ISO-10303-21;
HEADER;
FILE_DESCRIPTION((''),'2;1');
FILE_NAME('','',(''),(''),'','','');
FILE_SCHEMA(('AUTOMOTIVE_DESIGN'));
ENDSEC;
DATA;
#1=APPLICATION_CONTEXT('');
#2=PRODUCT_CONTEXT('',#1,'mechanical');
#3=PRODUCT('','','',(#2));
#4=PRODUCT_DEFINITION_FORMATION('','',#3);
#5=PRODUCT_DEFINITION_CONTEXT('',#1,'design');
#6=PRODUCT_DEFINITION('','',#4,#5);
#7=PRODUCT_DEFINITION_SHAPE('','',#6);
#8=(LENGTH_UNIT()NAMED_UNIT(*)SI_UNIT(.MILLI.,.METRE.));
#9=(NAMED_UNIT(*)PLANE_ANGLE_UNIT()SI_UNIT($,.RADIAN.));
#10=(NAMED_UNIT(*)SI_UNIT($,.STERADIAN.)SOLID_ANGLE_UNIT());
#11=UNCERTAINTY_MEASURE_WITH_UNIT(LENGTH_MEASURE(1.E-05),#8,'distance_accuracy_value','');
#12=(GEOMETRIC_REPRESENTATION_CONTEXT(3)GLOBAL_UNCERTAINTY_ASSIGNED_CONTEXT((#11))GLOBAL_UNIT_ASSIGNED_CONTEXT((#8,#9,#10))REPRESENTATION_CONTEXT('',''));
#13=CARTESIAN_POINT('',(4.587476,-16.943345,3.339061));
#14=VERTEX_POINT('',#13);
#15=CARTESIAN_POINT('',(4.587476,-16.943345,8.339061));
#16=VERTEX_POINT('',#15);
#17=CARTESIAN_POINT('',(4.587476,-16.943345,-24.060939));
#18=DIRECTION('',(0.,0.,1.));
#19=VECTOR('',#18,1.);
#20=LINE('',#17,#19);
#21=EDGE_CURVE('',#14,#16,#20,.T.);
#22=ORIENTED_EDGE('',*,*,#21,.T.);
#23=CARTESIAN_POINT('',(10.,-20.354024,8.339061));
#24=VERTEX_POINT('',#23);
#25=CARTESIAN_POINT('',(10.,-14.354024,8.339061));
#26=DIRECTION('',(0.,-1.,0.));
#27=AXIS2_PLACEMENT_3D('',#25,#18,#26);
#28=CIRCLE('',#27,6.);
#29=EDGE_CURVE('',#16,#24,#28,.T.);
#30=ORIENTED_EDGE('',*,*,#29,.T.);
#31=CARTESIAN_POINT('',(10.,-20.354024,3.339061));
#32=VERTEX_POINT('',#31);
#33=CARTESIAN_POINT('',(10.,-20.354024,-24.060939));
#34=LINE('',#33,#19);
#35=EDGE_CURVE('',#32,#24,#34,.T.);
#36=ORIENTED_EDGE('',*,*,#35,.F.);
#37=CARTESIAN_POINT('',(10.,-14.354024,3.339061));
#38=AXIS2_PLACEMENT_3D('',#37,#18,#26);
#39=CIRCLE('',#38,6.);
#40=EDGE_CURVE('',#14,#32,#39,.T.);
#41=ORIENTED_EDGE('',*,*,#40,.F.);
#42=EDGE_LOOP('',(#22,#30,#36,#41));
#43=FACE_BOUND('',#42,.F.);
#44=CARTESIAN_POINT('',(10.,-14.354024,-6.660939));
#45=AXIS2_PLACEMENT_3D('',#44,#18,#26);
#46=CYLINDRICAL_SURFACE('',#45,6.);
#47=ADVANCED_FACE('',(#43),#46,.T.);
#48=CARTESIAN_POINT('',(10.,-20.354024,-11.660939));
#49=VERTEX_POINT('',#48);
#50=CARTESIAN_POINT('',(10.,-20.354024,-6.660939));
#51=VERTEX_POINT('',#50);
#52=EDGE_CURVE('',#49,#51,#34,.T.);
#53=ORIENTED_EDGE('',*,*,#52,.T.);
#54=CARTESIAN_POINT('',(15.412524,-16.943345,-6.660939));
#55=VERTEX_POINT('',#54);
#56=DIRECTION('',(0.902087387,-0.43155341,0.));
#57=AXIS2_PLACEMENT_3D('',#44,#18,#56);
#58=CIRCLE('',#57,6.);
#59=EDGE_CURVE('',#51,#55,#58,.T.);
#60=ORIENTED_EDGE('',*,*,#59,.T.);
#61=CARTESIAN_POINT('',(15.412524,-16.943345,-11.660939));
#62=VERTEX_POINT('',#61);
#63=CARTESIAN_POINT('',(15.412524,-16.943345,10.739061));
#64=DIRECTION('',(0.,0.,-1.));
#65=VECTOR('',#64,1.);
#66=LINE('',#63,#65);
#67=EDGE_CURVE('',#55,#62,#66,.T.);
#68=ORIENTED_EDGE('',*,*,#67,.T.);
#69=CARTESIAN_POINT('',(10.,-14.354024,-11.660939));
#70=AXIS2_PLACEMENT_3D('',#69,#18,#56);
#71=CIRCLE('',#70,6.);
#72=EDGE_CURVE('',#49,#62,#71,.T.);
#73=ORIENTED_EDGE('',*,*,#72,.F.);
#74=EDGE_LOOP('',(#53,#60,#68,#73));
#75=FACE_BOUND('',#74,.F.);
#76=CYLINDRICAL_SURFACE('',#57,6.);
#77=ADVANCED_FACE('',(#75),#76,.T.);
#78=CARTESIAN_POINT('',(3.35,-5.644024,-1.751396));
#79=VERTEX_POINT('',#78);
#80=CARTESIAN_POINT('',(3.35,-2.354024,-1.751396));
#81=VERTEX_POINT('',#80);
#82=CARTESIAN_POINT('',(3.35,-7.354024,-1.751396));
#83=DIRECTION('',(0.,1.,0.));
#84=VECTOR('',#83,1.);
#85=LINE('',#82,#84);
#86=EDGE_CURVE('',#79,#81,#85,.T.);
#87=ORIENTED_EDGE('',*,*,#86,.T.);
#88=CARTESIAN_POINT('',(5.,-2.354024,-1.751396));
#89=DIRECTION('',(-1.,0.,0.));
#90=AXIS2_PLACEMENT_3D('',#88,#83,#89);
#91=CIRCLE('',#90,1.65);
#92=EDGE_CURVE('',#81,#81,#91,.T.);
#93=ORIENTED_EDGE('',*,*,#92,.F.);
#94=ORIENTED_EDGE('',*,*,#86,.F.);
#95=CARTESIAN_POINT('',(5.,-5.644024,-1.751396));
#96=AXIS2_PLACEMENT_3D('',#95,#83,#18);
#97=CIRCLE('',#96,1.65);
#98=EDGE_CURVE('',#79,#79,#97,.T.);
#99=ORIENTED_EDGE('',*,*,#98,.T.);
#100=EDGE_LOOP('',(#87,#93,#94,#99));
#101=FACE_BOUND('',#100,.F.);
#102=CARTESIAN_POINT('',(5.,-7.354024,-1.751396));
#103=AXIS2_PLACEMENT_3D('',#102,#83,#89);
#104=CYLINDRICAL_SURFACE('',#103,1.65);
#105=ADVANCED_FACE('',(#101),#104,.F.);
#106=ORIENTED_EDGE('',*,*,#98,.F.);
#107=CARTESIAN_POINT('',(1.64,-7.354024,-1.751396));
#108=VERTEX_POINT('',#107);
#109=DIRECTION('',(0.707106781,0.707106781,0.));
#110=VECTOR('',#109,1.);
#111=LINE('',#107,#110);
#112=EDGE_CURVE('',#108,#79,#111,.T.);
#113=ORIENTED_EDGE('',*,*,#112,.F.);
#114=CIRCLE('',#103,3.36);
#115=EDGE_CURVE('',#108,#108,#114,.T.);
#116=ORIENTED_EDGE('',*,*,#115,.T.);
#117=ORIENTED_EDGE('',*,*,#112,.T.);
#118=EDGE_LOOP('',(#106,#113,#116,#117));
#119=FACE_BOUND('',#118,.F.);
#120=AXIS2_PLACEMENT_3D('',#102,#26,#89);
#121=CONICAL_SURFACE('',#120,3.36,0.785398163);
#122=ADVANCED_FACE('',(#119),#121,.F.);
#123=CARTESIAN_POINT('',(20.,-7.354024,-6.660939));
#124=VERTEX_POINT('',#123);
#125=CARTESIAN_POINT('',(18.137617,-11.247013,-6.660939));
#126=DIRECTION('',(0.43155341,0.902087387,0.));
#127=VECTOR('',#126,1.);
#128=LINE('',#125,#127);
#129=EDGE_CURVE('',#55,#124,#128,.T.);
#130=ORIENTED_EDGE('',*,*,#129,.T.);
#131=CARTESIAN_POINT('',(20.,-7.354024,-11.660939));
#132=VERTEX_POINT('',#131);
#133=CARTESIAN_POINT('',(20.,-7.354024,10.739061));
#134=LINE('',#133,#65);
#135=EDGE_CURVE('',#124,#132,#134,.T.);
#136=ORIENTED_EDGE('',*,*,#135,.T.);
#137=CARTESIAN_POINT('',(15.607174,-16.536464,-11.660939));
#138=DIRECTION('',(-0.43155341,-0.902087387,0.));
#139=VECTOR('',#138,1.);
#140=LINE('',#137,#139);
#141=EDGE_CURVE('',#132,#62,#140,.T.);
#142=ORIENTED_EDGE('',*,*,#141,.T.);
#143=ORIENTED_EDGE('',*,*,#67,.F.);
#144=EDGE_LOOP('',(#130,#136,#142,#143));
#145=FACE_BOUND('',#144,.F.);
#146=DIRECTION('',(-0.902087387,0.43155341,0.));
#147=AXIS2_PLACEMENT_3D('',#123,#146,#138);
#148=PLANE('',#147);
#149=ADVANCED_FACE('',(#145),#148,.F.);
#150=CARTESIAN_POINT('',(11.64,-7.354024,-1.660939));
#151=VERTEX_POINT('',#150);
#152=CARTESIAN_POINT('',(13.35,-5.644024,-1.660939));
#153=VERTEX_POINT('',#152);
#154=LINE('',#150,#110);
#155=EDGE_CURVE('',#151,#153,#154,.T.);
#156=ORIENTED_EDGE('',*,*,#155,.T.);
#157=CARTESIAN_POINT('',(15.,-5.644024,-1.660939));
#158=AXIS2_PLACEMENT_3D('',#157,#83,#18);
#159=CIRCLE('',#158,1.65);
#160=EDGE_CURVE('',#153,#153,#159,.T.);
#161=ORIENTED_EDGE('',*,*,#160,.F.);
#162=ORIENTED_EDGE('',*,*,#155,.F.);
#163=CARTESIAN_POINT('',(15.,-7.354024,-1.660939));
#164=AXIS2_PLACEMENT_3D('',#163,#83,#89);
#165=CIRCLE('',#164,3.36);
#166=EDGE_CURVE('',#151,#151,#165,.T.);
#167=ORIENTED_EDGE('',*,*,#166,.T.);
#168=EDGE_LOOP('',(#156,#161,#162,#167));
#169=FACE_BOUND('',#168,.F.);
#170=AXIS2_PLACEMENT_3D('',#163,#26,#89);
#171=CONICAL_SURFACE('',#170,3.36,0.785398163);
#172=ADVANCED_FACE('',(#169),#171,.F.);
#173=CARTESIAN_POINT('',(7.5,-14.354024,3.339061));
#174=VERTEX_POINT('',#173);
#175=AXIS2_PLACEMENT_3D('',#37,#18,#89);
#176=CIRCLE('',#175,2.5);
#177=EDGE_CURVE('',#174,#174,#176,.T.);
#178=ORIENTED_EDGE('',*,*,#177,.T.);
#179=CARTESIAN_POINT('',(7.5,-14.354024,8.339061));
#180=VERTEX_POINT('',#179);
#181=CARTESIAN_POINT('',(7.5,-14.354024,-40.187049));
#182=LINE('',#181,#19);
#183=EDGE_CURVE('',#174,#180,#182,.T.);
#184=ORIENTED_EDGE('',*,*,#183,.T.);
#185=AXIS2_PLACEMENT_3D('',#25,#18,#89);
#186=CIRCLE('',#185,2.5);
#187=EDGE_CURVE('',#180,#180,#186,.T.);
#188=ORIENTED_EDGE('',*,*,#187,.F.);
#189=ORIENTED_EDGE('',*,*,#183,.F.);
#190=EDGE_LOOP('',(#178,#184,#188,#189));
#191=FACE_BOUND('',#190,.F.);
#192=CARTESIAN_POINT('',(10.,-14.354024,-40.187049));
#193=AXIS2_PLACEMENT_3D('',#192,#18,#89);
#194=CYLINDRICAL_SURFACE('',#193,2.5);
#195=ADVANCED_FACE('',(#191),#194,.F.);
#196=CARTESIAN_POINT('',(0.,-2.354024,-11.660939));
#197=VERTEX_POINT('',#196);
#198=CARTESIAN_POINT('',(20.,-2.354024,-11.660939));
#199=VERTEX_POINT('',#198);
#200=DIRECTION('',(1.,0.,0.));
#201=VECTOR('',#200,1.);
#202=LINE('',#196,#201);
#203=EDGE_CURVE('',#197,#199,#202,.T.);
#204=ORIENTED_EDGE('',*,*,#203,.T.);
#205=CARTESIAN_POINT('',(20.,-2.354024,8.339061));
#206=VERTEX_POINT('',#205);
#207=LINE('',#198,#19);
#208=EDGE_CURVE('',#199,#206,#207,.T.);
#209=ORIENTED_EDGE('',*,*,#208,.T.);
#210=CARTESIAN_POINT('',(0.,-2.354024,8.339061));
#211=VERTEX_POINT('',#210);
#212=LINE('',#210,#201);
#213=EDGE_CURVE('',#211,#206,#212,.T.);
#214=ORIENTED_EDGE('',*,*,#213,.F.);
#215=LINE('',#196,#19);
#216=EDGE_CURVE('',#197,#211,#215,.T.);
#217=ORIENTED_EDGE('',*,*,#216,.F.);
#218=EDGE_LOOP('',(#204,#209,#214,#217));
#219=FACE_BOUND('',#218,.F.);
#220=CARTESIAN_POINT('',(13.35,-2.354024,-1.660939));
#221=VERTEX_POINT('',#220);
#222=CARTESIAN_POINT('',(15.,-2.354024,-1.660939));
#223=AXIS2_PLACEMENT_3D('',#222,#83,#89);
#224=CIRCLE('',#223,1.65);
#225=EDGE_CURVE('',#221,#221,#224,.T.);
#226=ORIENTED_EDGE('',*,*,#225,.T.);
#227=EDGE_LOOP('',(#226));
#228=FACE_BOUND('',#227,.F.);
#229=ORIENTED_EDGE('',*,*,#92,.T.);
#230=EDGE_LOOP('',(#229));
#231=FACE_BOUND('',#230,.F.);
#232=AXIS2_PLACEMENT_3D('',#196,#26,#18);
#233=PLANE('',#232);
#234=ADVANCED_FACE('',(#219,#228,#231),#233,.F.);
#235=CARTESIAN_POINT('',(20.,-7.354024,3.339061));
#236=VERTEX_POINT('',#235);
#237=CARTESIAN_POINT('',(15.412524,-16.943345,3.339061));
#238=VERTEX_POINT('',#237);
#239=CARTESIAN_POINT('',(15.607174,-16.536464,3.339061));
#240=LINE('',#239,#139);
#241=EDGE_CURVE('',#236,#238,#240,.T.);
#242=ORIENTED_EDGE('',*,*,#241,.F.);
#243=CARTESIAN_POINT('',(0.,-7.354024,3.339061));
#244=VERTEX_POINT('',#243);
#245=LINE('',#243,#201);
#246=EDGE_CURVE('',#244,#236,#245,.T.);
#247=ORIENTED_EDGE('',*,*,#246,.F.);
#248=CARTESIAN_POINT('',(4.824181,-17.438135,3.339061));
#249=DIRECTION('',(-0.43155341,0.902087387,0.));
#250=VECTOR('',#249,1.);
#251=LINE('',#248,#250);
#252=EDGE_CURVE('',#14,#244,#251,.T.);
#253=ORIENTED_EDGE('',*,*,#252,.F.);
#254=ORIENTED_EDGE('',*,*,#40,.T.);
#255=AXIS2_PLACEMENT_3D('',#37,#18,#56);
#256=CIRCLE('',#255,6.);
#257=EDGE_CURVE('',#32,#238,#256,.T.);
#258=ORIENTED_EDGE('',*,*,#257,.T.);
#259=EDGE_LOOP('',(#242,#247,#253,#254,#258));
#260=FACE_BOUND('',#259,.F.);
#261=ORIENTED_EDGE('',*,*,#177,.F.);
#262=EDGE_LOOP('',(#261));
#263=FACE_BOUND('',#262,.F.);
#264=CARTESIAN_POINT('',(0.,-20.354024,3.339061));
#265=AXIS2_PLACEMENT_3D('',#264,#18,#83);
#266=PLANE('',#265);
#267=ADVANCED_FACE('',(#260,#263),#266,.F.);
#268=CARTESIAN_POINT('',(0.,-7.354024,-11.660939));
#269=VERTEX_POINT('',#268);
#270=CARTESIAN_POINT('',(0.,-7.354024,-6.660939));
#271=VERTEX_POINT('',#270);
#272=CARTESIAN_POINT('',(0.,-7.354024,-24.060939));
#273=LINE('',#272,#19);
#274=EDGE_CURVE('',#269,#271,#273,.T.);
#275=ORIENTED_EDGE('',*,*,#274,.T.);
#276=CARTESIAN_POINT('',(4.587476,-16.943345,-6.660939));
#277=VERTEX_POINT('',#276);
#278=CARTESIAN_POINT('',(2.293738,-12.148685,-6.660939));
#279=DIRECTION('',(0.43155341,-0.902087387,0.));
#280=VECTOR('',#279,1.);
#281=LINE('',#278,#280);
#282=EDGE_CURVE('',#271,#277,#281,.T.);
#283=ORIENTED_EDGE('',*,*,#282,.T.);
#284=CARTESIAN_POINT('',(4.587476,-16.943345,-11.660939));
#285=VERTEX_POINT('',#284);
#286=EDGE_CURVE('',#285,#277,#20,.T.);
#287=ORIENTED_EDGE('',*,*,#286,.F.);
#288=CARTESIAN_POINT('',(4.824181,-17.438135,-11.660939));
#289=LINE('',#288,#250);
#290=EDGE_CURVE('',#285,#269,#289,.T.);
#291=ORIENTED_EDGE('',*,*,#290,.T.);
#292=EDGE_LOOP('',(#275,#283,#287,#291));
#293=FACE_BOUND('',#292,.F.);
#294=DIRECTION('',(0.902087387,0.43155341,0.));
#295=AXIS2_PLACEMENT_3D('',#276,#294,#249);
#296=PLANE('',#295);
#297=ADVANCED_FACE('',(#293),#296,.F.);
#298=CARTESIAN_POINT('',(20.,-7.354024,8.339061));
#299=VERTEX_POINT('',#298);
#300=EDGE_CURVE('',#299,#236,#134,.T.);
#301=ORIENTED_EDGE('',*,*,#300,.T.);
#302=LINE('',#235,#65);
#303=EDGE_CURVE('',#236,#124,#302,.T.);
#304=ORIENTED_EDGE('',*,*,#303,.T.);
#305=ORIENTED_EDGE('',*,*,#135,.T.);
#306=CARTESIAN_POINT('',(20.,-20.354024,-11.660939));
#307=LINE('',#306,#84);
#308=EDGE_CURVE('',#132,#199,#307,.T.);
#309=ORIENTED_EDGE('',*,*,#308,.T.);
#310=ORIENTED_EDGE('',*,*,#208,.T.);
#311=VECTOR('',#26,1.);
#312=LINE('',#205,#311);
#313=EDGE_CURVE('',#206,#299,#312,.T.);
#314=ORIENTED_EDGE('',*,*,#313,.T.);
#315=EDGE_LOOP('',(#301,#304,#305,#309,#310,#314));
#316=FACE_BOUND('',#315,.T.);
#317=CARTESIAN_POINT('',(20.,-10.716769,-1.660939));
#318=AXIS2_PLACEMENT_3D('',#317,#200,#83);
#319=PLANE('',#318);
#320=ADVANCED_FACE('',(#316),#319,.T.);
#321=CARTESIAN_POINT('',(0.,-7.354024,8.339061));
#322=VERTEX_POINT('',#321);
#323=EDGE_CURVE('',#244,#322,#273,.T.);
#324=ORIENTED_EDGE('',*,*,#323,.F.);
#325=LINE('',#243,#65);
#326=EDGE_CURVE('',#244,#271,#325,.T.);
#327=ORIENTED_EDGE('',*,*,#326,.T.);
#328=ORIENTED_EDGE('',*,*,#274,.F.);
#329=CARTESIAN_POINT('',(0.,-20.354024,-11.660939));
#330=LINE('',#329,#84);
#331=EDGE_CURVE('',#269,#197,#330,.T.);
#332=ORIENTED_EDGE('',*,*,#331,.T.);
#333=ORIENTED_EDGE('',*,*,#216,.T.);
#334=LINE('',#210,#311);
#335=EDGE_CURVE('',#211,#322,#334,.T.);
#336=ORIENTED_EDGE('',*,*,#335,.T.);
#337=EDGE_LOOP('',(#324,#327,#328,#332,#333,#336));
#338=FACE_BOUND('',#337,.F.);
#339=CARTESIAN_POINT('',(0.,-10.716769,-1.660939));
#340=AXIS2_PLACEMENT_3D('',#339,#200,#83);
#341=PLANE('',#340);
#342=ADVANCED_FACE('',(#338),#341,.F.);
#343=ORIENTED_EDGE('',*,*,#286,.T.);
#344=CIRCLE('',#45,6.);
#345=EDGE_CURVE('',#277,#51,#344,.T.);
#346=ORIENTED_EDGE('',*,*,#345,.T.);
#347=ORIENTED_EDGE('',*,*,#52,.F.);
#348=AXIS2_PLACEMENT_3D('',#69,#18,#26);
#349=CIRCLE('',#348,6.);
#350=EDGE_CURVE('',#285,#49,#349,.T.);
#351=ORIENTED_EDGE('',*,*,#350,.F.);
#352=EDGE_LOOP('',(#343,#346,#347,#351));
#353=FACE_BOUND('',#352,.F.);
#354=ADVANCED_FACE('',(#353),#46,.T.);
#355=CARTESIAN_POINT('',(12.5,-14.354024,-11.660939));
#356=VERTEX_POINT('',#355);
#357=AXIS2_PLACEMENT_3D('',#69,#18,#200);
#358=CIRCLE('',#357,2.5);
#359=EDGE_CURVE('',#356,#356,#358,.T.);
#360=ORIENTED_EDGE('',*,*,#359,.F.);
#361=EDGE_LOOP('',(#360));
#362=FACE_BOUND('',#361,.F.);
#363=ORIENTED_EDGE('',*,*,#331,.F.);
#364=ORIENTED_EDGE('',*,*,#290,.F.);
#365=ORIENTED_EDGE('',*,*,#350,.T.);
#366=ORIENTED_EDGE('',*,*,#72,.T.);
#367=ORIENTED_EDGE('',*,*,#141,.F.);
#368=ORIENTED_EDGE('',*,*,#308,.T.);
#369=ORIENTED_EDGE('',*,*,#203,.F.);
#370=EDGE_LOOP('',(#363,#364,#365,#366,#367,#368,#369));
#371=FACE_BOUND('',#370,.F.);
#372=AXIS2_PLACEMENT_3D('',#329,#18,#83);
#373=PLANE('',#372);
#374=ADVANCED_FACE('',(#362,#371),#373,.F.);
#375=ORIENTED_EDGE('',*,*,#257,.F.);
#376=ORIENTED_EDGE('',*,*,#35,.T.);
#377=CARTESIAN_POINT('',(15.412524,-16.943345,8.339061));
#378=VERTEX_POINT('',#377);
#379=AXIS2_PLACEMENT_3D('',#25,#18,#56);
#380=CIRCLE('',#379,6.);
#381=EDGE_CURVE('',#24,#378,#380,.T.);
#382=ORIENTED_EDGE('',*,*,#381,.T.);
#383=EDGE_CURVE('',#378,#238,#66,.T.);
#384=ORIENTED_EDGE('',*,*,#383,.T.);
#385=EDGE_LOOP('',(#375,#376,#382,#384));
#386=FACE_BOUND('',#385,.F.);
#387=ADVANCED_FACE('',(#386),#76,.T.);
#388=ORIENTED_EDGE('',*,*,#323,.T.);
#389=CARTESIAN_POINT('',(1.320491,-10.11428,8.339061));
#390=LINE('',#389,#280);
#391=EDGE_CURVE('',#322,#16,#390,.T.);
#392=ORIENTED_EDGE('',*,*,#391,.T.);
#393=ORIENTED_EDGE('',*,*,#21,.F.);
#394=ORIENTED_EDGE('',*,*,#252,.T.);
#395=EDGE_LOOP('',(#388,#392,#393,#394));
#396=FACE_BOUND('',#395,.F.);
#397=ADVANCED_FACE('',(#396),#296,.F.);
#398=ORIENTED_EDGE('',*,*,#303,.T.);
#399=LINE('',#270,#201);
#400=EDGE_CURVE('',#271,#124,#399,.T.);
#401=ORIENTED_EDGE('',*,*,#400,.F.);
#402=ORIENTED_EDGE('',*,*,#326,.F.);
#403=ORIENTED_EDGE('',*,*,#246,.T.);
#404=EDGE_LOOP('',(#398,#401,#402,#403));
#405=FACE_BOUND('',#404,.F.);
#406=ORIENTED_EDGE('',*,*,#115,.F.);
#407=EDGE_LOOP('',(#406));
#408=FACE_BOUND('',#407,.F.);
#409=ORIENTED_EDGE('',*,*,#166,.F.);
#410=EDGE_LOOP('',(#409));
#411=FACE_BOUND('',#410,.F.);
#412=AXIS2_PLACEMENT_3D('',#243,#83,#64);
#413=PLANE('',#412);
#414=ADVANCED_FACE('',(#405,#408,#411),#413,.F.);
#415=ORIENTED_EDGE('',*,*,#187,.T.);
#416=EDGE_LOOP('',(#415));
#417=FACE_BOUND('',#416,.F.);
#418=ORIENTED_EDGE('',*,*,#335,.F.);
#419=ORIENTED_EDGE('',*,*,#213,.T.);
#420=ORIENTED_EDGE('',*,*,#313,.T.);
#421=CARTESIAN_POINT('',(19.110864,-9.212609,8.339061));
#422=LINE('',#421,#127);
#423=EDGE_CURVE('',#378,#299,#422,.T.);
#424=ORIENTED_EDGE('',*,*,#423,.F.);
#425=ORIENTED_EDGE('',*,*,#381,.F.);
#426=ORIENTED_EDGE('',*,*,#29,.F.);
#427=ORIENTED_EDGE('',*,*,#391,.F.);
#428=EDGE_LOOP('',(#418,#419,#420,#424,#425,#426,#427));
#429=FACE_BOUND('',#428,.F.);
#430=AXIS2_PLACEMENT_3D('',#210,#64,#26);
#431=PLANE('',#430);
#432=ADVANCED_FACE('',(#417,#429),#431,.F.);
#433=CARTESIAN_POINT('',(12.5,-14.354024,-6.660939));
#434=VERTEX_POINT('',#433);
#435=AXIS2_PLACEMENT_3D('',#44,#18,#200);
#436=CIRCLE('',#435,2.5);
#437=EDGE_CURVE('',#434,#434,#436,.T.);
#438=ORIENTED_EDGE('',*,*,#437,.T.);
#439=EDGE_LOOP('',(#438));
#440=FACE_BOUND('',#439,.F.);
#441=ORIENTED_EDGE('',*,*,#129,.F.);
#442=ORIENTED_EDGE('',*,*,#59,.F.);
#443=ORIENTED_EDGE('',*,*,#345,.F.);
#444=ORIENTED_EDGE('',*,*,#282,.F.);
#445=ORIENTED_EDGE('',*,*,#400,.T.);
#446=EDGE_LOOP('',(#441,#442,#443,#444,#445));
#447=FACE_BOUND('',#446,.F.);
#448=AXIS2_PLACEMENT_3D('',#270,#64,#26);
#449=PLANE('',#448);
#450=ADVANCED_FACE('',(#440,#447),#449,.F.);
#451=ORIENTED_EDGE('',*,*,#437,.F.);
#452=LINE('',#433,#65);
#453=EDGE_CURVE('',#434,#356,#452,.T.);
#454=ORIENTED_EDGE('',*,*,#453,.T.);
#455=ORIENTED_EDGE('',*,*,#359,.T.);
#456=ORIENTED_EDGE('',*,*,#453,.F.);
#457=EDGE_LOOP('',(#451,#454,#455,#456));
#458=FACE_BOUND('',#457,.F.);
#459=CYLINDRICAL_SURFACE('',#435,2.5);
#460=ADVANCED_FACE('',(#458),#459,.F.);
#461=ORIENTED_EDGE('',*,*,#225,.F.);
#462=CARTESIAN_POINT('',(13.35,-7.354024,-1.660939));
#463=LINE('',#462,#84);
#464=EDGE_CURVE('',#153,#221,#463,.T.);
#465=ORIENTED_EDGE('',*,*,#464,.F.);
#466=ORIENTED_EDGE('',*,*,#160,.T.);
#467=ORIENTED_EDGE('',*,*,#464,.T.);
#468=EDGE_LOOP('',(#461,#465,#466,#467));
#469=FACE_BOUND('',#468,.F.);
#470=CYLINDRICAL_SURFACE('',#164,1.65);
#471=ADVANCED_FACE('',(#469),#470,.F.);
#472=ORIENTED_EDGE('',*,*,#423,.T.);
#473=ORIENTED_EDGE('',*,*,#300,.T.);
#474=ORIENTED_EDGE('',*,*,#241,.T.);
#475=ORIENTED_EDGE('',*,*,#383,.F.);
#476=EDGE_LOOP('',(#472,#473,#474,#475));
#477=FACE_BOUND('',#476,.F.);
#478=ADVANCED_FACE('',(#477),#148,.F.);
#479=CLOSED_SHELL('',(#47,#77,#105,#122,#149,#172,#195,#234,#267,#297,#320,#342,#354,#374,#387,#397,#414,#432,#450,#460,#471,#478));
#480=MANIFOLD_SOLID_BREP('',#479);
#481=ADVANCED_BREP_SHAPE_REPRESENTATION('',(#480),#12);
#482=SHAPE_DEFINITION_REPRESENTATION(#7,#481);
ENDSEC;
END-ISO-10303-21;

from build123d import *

# Parameters (mm, degrees)
F1_DEPTH       = 20
F3_DEPTH       = 17.4
F4_D           = 5
F4_DEPTH       = 5.001
F5_D           = 5
F7_D           = 3.3
F7_CSINK_D     = 6.72
F7_CSINK_ANGLE = 90


with BuildPart() as f1:
    # F0 (on Right) → F1 (new body)
    with BuildSketch(Plane.YZ):
        Polygon((-2.3540243498, -11.660939306), (-2.3540243498, 8.339060694), (-20.3540243498, 8.339060694), (-20.3540243498, 3.339060694), (-7.3540243498, 3.339060694), (-7.3540243498, -6.660939306), (-20.3540243498, -6.660939306), (-20.3540243498, -11.660939306), align=None)
    extrude(amount=F1_DEPTH)

    # F2 (on face) → F3 (cut, symmetric)
    with BuildSketch(Plane.XY.offset(-6.660939306)):
        with BuildLine():
            ThreePointArc((10, -20.3540243498), (6.8012442082, -19.4302396116), (4.5874756769, -16.9433448113))
            Line((4.5874756769, -16.9433448113), (0, -7.3540243498))
            Line((0, -7.3540243498), (0, -20.3540243498))
            Line((0, -20.3540243498), (10, -20.3540243498))
        make_face()
        with BuildLine():
            ThreePointArc((15.4125243231, -16.9433448113), (13.1987557918, -19.4302396116), (10, -20.3540243498))
            Line((10, -20.3540243498), (20, -20.3540243498))
            Line((20, -20.3540243498), (20, -7.3540243498))
            Line((20, -7.3540243498), (15.4125243231, -16.9433448113))
        make_face()
    extrude(amount=F3_DEPTH, both=True, mode=Mode.SUBTRACT)

    # F4 (through all, one way)
    with BuildSketch(Plane.XY.offset(-6.660939306)):
        with Locations((10, -14.3540243498)):
            Circle(F4_D / 2)
    extrude(amount=-F4_DEPTH, mode=Mode.SUBTRACT)

    # F5 (through all)
    with Locations(Plane(origin=(0, 0, -6.660939306), x_dir=(1, 0, 0), z_dir=(0, 0, -1))):
        with Locations((10, 14.3540243498)):
            Hole(F5_D / 2)

    # F7 (through all)
    with Locations(Plane.XZ.offset(7.3540243498)):
        with Locations((5, -1.751396223), (15, -1.660939306)):
            CounterSinkHole(F7_D / 2, F7_CSINK_D / 2, counter_sink_angle=F7_CSINK_ANGLE)


solid = f1.part
